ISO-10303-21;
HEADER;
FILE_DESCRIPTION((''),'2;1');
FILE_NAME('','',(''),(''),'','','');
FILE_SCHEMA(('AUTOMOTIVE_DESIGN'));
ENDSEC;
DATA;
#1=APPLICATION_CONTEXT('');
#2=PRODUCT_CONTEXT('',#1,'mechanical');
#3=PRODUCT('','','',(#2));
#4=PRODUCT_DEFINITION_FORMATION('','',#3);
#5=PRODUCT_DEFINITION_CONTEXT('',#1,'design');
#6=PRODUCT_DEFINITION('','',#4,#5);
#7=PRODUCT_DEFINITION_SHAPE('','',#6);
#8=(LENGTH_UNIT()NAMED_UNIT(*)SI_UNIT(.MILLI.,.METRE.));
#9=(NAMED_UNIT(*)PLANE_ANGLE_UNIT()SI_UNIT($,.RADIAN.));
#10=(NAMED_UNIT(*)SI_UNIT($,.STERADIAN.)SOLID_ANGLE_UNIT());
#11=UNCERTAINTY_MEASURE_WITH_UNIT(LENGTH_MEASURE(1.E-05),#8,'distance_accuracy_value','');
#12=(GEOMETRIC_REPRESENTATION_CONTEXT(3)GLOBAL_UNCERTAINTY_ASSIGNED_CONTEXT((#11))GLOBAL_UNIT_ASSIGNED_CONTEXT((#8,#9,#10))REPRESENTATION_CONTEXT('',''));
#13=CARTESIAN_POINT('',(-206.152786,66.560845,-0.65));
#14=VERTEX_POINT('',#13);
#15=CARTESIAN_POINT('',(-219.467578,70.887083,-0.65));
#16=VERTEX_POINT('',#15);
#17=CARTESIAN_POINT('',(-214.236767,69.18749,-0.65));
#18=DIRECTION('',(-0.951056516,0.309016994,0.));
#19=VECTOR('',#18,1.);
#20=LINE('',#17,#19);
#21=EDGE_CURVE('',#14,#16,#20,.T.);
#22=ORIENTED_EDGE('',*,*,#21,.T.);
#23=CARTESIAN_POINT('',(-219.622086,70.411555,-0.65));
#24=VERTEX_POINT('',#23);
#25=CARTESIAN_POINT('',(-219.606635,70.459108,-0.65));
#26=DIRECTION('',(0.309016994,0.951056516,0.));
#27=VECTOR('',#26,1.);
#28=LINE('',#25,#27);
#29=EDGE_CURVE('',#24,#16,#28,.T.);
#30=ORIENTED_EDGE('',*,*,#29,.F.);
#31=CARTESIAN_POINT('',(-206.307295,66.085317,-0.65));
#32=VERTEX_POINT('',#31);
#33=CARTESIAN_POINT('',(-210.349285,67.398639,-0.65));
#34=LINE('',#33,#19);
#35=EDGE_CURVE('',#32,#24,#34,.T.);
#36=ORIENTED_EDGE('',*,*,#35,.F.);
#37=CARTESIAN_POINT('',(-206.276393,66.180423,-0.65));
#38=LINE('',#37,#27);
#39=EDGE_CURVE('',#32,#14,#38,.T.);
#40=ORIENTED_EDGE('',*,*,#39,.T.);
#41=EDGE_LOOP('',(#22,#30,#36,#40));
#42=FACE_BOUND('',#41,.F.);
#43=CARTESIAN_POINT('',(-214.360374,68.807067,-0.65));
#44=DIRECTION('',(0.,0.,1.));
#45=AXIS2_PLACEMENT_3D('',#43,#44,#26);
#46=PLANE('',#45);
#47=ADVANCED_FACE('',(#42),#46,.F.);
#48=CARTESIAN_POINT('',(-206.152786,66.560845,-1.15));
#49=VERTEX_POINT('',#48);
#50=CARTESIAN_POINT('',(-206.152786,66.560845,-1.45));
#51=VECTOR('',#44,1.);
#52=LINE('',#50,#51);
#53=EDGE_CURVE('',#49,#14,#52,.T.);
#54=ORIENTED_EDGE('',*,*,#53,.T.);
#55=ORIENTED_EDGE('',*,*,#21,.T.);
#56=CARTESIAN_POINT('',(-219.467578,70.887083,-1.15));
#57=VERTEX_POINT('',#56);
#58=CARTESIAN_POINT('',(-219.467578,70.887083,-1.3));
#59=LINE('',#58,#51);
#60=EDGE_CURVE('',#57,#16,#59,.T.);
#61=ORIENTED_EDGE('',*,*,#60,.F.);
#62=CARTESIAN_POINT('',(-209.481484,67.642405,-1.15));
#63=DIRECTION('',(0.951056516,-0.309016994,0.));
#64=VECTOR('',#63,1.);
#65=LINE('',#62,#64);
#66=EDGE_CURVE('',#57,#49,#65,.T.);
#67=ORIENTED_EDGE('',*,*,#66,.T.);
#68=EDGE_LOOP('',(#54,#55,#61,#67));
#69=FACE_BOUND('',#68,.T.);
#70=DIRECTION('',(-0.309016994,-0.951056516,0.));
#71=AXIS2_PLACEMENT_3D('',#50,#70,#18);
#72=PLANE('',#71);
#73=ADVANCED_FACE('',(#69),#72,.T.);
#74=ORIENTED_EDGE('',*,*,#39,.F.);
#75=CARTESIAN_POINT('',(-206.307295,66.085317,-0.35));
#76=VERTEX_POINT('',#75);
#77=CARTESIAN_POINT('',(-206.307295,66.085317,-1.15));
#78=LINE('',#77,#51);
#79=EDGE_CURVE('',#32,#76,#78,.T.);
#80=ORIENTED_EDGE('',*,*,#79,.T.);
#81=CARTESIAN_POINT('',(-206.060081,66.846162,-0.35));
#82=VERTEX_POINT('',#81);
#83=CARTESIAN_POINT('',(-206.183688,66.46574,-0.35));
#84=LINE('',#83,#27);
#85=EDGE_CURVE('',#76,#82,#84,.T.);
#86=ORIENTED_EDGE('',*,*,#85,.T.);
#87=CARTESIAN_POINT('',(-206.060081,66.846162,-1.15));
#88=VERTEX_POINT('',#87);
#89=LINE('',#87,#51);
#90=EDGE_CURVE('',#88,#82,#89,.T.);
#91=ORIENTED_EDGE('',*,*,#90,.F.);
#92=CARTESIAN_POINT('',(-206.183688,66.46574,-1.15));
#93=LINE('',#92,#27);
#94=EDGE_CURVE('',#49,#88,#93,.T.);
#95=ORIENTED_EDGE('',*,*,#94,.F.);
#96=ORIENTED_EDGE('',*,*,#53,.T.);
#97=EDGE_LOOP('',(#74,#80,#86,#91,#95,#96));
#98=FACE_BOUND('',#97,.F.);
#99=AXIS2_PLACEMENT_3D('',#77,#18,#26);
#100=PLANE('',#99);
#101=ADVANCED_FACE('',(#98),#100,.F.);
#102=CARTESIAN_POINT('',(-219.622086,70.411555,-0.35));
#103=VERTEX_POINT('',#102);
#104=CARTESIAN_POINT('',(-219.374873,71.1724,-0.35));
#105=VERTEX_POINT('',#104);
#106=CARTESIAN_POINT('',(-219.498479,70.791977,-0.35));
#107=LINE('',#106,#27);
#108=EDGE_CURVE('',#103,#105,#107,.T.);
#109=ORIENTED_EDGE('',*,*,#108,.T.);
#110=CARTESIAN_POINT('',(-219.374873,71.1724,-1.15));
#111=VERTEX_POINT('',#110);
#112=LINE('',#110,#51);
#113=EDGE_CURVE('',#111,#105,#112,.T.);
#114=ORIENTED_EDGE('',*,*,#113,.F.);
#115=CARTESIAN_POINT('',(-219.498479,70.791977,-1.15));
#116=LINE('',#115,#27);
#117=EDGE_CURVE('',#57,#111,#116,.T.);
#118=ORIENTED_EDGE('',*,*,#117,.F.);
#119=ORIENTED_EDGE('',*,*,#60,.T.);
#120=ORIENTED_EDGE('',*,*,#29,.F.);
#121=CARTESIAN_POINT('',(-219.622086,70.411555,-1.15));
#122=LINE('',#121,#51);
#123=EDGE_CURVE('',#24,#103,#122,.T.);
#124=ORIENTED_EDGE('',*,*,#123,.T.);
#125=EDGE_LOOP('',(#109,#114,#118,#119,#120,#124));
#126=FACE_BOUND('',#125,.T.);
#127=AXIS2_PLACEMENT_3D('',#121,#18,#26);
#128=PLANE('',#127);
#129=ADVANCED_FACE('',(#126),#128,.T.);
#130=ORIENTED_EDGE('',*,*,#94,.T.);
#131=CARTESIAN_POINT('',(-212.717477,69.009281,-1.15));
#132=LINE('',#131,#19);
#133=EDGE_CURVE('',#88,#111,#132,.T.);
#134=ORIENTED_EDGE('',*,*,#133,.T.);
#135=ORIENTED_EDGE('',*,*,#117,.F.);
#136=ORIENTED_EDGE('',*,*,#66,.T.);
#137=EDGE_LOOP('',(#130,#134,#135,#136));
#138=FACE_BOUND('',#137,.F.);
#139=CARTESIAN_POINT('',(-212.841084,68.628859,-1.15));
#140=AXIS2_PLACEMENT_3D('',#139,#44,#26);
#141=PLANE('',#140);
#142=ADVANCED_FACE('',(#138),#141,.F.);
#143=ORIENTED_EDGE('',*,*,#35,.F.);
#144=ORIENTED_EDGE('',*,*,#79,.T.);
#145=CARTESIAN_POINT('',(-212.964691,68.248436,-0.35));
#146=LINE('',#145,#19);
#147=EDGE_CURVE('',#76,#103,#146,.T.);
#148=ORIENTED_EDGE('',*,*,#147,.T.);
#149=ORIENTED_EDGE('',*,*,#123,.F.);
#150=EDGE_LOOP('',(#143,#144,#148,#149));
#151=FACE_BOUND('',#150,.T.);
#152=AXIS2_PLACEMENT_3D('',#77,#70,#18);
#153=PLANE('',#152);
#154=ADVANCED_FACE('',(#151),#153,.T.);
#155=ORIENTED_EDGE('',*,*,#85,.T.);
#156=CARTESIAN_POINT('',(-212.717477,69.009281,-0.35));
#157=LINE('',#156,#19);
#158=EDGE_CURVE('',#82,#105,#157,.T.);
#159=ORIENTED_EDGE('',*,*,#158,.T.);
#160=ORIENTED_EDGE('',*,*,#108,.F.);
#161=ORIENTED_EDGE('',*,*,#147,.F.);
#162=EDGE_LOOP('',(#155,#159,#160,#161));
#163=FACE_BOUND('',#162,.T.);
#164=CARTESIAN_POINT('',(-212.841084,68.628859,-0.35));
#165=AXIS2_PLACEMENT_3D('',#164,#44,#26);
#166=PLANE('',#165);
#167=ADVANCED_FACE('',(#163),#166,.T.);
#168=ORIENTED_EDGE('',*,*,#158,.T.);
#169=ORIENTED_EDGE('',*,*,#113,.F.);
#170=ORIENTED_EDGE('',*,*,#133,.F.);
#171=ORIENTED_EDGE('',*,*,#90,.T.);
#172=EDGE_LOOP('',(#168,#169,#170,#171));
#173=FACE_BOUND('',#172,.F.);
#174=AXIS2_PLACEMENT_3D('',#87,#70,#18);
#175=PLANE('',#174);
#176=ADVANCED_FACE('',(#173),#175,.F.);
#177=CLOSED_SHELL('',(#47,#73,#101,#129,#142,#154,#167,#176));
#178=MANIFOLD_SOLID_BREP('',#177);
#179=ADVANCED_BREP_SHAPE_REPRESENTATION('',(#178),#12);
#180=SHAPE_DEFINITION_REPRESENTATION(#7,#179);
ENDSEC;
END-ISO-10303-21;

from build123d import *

# Parameters (mm, degrees)
BOX111_W               = 0.8
BOX111_H               = 17
BOX111_DEPTH           = 0.8
BOX112_W               = 0.8
BOX112_H               = 14
BOX112_DEPTH           = 0.8
CUT059_PLACEMENT_ANGLE = 72


with BuildPart() as cubo111:
    # Box111 → Box111 (new body)
    with BuildSketch(Plane.XY):
        with Locations((0.4, 8.5)):
            Rectangle(BOX111_W, BOX111_H)
    extrude(amount=BOX111_DEPTH)


with BuildPart() as perfil_l_2da_cara001:
    # Box112 → Box112 (new body)
    with BuildSketch(Plane(origin=(0.3, 0, 0.3), x_dir=(1, 0, 0), z_dir=(0, 0, 1))):
        with Locations((0.4, 7)):
            Rectangle(BOX112_W, BOX112_H)
    extrude(amount=BOX112_DEPTH)

    # Cut059: cut Cubo111
    add(cubo111.part, mode=Mode.SUBTRACT)


with BuildPart() as perfil_l_2da_cara001_1:
    # Cut059 placement: moved
    add(perfil_l_2da_cara001.part.moved(Location((-206.4, 65.8, -1.45))).rotate(Axis((-206.4, 65.8, -1.45), (0, 0, 1)), CUT059_PLACEMENT_ANGLE))


solid = perfil_l_2da_cara001_1.part
